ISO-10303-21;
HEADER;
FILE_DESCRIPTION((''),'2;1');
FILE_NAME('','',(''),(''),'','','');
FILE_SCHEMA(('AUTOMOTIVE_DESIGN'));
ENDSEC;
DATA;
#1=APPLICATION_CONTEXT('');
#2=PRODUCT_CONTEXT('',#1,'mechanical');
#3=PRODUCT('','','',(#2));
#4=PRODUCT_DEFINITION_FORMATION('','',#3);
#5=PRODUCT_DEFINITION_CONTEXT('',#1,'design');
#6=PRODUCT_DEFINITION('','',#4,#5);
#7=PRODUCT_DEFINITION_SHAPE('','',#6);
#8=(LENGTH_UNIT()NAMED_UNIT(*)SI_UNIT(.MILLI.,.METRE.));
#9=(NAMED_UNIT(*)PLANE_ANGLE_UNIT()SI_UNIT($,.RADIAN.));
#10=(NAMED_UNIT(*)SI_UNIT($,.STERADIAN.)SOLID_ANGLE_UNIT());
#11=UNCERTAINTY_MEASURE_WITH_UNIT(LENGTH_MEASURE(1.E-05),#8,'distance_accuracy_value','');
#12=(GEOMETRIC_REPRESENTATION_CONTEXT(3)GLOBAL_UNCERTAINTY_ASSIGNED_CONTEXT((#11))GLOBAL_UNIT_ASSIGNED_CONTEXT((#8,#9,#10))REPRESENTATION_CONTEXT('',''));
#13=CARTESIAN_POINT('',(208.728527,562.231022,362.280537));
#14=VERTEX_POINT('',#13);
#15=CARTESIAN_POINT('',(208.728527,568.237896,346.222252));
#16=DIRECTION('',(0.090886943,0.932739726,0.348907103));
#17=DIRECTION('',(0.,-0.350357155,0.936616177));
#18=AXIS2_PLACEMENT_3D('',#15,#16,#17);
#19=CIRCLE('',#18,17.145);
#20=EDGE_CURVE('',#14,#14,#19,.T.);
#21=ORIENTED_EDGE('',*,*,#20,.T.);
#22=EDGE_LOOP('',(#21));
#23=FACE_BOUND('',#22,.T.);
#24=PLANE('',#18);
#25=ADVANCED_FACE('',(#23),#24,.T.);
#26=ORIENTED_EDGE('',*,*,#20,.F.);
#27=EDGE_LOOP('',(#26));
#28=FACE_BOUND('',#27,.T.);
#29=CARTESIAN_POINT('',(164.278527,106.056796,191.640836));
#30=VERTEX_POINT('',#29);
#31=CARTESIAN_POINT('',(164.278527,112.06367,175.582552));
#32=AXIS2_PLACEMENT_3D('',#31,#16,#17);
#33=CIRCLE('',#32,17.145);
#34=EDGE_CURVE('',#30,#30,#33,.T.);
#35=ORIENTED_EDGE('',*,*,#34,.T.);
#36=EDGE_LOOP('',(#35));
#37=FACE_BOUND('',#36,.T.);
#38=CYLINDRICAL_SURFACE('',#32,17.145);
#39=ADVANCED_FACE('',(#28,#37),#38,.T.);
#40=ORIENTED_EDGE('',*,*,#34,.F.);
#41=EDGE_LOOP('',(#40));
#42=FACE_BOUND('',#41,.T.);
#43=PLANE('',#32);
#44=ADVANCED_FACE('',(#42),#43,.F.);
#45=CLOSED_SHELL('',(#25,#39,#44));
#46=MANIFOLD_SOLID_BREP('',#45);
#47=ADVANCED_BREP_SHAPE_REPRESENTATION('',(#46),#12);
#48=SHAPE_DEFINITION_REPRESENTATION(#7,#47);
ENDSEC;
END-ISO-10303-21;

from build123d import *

# Parameters (mm, degrees)
SWEEP1_PROFILE_R = 17.145


with BuildPart() as part:
    # Sweep1: sweep along a curve in space
    with BuildLine() as sweep1_path:
        Line((164.278526781, 112.063669757, 175.582551715), (208.728526781, 568.237895888, 346.22225237))
    # Sweep1 profile (on start of the path) → Sweep1 (sweep)
    with BuildSketch(Plane(origin=(164.278526781, 112.063669757, 175.582551715), x_dir=(0, -0.350357155, 0.936616177), z_dir=(0.090886943, 0.932739726, 0.348907103))):
        Circle(SWEEP1_PROFILE_R)
    sweep(path=sweep1_path.line)


solid = part.part
